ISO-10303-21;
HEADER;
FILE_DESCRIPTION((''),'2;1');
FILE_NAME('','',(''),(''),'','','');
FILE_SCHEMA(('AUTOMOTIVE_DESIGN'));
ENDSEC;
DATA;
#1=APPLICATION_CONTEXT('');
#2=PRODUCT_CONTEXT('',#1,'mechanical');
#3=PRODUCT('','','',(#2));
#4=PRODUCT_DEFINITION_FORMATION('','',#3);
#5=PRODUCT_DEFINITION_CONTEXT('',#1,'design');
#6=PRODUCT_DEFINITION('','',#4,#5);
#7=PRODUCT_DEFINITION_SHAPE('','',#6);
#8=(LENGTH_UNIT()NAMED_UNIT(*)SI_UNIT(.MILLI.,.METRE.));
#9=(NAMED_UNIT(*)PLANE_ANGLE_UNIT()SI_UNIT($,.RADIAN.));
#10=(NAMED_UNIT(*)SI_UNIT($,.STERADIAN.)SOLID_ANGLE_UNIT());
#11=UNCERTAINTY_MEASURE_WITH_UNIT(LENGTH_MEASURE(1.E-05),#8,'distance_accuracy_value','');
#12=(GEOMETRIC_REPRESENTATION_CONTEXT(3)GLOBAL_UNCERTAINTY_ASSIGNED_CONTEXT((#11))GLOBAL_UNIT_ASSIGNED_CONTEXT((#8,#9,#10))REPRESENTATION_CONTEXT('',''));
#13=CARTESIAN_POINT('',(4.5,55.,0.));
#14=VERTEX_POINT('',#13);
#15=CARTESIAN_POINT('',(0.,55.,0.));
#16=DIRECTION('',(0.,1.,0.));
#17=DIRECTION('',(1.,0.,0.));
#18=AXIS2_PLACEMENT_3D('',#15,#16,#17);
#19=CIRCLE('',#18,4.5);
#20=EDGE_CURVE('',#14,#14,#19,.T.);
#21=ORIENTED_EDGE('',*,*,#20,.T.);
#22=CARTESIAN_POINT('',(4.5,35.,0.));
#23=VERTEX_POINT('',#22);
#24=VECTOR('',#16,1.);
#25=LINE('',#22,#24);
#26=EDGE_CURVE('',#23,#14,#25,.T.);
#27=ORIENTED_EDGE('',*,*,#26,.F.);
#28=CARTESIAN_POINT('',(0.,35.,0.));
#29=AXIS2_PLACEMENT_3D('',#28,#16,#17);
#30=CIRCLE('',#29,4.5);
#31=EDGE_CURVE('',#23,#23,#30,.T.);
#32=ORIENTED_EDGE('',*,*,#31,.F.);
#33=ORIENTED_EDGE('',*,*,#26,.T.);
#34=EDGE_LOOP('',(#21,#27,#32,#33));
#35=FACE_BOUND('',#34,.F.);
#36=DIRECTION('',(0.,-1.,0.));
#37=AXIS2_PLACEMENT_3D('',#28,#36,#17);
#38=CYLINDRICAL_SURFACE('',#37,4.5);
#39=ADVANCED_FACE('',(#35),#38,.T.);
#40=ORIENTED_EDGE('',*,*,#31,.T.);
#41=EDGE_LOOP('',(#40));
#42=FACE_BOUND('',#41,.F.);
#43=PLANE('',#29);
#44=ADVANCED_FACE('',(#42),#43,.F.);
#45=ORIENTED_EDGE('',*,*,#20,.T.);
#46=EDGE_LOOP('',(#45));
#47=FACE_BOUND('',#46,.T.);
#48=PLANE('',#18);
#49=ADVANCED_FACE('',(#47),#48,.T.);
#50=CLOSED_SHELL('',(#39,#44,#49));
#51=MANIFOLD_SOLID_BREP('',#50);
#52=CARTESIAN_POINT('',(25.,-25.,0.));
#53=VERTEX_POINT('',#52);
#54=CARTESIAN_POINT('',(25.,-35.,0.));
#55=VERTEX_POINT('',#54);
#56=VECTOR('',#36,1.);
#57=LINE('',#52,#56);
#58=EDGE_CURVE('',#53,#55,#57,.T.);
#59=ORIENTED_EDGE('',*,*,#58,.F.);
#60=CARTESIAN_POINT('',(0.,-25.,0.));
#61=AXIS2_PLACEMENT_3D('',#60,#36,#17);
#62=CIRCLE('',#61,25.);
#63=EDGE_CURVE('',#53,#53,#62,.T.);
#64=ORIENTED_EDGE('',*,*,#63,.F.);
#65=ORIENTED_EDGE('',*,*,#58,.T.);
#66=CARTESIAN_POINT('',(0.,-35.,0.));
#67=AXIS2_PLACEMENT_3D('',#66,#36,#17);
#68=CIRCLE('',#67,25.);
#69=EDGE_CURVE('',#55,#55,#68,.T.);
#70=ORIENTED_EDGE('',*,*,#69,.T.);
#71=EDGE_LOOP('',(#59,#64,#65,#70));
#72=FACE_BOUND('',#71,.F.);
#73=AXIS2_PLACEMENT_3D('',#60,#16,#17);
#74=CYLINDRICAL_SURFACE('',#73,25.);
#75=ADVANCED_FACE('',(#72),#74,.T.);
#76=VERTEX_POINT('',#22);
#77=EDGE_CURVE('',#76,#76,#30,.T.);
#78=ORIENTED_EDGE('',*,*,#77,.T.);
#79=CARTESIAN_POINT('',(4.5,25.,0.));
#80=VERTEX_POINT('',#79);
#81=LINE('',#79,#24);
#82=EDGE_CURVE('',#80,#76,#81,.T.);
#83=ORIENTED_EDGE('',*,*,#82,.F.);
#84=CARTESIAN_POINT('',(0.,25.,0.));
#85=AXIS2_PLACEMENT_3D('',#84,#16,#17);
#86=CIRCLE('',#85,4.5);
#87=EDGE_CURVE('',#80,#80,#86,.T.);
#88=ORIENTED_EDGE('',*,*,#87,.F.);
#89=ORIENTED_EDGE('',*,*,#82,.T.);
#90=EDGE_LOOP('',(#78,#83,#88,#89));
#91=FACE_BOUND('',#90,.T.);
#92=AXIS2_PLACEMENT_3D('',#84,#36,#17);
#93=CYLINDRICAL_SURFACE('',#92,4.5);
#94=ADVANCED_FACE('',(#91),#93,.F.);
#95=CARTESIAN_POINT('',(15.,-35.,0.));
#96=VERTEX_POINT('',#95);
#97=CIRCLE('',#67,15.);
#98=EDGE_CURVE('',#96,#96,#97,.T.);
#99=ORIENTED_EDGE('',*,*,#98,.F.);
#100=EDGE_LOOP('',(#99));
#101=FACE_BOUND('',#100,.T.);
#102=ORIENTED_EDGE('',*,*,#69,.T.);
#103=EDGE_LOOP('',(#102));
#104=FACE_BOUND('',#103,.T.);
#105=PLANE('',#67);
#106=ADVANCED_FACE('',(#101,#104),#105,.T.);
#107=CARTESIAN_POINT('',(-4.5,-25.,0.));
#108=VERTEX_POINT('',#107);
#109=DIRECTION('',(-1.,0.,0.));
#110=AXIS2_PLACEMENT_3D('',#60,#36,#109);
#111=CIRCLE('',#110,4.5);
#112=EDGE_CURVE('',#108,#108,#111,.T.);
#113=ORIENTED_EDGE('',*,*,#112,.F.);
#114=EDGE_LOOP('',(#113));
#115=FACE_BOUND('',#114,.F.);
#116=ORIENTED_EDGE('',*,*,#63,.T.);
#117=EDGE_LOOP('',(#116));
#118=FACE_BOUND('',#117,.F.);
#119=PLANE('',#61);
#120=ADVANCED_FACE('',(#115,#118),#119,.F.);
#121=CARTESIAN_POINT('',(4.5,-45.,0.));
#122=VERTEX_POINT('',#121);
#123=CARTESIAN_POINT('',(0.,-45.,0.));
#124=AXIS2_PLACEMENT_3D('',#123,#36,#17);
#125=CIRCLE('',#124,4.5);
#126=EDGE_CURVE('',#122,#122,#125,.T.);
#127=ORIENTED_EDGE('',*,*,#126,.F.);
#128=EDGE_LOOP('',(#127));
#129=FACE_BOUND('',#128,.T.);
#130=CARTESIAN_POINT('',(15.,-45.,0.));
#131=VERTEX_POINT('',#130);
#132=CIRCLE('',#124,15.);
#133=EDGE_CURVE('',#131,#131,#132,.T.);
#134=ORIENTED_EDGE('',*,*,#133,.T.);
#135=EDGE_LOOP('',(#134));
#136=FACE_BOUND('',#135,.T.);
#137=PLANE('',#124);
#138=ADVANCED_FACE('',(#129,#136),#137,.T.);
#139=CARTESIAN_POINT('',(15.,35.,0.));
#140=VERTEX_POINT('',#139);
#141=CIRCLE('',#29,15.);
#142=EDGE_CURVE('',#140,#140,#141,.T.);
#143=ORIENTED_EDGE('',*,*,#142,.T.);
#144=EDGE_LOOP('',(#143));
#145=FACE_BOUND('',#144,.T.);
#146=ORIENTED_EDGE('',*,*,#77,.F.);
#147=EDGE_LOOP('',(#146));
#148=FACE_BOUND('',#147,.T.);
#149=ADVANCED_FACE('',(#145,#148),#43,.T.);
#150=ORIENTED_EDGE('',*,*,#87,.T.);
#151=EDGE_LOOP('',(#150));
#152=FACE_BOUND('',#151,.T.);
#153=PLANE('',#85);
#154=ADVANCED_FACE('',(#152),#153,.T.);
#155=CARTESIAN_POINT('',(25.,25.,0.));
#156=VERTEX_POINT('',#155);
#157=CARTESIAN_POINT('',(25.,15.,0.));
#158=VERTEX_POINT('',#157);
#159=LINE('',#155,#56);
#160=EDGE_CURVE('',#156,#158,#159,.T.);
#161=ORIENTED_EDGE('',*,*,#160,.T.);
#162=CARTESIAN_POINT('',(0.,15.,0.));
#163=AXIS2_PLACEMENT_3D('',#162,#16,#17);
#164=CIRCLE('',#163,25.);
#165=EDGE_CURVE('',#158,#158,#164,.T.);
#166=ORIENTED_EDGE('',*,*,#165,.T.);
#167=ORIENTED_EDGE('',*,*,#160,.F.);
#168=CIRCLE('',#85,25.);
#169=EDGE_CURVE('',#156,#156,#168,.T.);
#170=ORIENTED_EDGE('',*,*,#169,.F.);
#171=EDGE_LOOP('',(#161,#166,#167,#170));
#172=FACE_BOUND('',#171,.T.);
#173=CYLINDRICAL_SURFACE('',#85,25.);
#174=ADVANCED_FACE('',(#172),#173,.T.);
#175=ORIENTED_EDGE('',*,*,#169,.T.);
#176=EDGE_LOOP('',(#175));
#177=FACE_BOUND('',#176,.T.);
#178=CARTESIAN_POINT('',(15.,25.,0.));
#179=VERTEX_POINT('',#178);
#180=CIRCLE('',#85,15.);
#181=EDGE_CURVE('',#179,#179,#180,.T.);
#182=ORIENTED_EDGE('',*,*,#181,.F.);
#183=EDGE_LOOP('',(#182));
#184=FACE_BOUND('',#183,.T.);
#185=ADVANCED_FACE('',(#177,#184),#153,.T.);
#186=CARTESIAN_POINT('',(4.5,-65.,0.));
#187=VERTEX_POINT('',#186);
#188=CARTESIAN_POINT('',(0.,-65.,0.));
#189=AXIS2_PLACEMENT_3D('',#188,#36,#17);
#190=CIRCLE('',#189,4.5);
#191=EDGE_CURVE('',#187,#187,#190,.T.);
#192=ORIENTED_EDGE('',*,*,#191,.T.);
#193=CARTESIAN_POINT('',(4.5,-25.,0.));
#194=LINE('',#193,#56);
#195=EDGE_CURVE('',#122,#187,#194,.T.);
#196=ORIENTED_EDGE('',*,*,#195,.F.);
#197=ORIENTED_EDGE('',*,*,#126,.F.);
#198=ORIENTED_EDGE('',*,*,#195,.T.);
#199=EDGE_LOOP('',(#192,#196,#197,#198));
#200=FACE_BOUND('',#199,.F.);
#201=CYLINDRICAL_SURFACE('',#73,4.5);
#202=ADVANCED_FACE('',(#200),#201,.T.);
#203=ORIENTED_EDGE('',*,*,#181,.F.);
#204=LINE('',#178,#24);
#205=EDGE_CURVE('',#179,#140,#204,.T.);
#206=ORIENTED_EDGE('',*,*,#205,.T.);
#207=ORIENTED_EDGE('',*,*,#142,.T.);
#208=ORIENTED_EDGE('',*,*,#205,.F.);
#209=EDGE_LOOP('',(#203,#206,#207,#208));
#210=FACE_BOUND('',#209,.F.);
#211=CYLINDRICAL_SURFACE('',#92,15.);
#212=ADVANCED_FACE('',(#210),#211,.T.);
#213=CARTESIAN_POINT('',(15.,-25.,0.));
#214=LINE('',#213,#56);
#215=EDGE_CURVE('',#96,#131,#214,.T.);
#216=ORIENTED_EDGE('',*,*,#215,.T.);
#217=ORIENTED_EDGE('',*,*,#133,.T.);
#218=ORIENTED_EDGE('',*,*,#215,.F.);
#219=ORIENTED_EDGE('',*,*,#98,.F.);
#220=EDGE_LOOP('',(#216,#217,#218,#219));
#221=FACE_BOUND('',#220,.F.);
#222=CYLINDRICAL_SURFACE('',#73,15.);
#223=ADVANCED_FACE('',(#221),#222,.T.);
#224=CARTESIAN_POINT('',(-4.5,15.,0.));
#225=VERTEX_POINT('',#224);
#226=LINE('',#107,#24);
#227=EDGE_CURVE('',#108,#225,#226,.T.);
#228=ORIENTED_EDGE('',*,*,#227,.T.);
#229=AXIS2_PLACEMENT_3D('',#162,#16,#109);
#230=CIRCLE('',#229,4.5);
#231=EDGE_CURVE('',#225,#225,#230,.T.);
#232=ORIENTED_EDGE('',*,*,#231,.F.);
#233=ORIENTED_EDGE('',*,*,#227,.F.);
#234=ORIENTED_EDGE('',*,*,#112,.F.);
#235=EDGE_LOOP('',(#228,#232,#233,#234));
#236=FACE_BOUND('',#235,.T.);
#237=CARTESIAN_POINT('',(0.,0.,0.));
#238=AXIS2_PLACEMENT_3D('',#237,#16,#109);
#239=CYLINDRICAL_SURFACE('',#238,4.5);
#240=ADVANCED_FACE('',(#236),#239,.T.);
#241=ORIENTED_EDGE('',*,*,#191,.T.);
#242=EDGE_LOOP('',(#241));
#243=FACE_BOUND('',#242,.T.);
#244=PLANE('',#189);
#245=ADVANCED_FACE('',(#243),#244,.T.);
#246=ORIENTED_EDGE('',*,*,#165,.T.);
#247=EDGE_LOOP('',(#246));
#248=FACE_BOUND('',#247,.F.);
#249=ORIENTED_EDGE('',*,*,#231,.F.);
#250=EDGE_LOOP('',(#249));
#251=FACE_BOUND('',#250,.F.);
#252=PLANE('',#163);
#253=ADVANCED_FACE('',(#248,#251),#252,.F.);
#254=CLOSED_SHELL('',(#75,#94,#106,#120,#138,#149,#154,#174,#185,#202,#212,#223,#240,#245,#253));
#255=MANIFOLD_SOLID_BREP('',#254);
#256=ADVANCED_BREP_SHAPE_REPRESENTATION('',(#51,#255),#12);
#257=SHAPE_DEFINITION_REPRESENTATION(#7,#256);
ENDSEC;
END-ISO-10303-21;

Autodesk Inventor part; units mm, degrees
ref_plane "YZ Plane" through (0, 0, 0) normal (1, 0, 0) x (0, 1, 0)
ref_plane "XZ Plane" through (0, 0, 0) normal (0, 1, 0) x (-1, 0, 0)
ref_plane "XY Plane" through (0, 0, 0) normal (0, 0, 1) x (1, 0, 0)
sketch "Sketch1" plane through (0, 0, 0) normal (0, 1, 0) x (-1, 0, 0)
  circle A0 centre (0, 0) radius 4.5
  dimension "d0" = 9
extrude "Extrusion1" add sketch "Sketch1" along normal blind 25 and the other way blind 25
sketch "Sketch2" plane through (0, 25, 0) normal (0, 1, 0) x (1, 0, 0)
  circle A0 centre (0, 0) radius 4.5 projected
  circle A1 centre (0, 0) radius 25
  dimension "d5" = 50
extrude "Extrusion2" add sketch "Sketch2" against normal blind 10
sketch "Sketch3" plane through (0, 25, 0) normal (0, 1, 0) x (1, 0, 0)
  circle A0 centre (0, 0) radius 4.5 projected
  circle A1 centre (0, 0) radius 15
  dimension "d8" = 30
extrude "Extrusion3" add sketch "Sketch3" along normal blind 10
sketch "Sketch4" plane through (0, 35, 0) normal (0, 1, 0) x (1, 0, 0)
  circle A0 centre (0, 0) radius 4.5 projected
  circle A1 centre (0, 0) radius 5.5
extrude "Extrusion4" add sketch "Sketch4" along normal blind 20 contours A0
sketch "Sketch5" plane through (0, -25, 0) normal (0, -1, 0) x (1, 0, 0)
  circle A0 centre (0, 0) radius 15 projected
  circle A1 centre (0, 0) radius 25
  circle A2 centre (0, 0) radius 4.5 projected
  circle A3 centre (0, 0) radius 15
  dimension "d19" = 50
extrude "Extrusion5" add sketch "Sketch5" along normal blind 10 contours A1
extrude "Extrusion6" add sketch "Sketch5" along normal blind 20 contours A0
extrude "Extrusion7" add sketch "Sketch5" along normal blind 40 contours A2
properties part number "McCrea_cinka_walle"
